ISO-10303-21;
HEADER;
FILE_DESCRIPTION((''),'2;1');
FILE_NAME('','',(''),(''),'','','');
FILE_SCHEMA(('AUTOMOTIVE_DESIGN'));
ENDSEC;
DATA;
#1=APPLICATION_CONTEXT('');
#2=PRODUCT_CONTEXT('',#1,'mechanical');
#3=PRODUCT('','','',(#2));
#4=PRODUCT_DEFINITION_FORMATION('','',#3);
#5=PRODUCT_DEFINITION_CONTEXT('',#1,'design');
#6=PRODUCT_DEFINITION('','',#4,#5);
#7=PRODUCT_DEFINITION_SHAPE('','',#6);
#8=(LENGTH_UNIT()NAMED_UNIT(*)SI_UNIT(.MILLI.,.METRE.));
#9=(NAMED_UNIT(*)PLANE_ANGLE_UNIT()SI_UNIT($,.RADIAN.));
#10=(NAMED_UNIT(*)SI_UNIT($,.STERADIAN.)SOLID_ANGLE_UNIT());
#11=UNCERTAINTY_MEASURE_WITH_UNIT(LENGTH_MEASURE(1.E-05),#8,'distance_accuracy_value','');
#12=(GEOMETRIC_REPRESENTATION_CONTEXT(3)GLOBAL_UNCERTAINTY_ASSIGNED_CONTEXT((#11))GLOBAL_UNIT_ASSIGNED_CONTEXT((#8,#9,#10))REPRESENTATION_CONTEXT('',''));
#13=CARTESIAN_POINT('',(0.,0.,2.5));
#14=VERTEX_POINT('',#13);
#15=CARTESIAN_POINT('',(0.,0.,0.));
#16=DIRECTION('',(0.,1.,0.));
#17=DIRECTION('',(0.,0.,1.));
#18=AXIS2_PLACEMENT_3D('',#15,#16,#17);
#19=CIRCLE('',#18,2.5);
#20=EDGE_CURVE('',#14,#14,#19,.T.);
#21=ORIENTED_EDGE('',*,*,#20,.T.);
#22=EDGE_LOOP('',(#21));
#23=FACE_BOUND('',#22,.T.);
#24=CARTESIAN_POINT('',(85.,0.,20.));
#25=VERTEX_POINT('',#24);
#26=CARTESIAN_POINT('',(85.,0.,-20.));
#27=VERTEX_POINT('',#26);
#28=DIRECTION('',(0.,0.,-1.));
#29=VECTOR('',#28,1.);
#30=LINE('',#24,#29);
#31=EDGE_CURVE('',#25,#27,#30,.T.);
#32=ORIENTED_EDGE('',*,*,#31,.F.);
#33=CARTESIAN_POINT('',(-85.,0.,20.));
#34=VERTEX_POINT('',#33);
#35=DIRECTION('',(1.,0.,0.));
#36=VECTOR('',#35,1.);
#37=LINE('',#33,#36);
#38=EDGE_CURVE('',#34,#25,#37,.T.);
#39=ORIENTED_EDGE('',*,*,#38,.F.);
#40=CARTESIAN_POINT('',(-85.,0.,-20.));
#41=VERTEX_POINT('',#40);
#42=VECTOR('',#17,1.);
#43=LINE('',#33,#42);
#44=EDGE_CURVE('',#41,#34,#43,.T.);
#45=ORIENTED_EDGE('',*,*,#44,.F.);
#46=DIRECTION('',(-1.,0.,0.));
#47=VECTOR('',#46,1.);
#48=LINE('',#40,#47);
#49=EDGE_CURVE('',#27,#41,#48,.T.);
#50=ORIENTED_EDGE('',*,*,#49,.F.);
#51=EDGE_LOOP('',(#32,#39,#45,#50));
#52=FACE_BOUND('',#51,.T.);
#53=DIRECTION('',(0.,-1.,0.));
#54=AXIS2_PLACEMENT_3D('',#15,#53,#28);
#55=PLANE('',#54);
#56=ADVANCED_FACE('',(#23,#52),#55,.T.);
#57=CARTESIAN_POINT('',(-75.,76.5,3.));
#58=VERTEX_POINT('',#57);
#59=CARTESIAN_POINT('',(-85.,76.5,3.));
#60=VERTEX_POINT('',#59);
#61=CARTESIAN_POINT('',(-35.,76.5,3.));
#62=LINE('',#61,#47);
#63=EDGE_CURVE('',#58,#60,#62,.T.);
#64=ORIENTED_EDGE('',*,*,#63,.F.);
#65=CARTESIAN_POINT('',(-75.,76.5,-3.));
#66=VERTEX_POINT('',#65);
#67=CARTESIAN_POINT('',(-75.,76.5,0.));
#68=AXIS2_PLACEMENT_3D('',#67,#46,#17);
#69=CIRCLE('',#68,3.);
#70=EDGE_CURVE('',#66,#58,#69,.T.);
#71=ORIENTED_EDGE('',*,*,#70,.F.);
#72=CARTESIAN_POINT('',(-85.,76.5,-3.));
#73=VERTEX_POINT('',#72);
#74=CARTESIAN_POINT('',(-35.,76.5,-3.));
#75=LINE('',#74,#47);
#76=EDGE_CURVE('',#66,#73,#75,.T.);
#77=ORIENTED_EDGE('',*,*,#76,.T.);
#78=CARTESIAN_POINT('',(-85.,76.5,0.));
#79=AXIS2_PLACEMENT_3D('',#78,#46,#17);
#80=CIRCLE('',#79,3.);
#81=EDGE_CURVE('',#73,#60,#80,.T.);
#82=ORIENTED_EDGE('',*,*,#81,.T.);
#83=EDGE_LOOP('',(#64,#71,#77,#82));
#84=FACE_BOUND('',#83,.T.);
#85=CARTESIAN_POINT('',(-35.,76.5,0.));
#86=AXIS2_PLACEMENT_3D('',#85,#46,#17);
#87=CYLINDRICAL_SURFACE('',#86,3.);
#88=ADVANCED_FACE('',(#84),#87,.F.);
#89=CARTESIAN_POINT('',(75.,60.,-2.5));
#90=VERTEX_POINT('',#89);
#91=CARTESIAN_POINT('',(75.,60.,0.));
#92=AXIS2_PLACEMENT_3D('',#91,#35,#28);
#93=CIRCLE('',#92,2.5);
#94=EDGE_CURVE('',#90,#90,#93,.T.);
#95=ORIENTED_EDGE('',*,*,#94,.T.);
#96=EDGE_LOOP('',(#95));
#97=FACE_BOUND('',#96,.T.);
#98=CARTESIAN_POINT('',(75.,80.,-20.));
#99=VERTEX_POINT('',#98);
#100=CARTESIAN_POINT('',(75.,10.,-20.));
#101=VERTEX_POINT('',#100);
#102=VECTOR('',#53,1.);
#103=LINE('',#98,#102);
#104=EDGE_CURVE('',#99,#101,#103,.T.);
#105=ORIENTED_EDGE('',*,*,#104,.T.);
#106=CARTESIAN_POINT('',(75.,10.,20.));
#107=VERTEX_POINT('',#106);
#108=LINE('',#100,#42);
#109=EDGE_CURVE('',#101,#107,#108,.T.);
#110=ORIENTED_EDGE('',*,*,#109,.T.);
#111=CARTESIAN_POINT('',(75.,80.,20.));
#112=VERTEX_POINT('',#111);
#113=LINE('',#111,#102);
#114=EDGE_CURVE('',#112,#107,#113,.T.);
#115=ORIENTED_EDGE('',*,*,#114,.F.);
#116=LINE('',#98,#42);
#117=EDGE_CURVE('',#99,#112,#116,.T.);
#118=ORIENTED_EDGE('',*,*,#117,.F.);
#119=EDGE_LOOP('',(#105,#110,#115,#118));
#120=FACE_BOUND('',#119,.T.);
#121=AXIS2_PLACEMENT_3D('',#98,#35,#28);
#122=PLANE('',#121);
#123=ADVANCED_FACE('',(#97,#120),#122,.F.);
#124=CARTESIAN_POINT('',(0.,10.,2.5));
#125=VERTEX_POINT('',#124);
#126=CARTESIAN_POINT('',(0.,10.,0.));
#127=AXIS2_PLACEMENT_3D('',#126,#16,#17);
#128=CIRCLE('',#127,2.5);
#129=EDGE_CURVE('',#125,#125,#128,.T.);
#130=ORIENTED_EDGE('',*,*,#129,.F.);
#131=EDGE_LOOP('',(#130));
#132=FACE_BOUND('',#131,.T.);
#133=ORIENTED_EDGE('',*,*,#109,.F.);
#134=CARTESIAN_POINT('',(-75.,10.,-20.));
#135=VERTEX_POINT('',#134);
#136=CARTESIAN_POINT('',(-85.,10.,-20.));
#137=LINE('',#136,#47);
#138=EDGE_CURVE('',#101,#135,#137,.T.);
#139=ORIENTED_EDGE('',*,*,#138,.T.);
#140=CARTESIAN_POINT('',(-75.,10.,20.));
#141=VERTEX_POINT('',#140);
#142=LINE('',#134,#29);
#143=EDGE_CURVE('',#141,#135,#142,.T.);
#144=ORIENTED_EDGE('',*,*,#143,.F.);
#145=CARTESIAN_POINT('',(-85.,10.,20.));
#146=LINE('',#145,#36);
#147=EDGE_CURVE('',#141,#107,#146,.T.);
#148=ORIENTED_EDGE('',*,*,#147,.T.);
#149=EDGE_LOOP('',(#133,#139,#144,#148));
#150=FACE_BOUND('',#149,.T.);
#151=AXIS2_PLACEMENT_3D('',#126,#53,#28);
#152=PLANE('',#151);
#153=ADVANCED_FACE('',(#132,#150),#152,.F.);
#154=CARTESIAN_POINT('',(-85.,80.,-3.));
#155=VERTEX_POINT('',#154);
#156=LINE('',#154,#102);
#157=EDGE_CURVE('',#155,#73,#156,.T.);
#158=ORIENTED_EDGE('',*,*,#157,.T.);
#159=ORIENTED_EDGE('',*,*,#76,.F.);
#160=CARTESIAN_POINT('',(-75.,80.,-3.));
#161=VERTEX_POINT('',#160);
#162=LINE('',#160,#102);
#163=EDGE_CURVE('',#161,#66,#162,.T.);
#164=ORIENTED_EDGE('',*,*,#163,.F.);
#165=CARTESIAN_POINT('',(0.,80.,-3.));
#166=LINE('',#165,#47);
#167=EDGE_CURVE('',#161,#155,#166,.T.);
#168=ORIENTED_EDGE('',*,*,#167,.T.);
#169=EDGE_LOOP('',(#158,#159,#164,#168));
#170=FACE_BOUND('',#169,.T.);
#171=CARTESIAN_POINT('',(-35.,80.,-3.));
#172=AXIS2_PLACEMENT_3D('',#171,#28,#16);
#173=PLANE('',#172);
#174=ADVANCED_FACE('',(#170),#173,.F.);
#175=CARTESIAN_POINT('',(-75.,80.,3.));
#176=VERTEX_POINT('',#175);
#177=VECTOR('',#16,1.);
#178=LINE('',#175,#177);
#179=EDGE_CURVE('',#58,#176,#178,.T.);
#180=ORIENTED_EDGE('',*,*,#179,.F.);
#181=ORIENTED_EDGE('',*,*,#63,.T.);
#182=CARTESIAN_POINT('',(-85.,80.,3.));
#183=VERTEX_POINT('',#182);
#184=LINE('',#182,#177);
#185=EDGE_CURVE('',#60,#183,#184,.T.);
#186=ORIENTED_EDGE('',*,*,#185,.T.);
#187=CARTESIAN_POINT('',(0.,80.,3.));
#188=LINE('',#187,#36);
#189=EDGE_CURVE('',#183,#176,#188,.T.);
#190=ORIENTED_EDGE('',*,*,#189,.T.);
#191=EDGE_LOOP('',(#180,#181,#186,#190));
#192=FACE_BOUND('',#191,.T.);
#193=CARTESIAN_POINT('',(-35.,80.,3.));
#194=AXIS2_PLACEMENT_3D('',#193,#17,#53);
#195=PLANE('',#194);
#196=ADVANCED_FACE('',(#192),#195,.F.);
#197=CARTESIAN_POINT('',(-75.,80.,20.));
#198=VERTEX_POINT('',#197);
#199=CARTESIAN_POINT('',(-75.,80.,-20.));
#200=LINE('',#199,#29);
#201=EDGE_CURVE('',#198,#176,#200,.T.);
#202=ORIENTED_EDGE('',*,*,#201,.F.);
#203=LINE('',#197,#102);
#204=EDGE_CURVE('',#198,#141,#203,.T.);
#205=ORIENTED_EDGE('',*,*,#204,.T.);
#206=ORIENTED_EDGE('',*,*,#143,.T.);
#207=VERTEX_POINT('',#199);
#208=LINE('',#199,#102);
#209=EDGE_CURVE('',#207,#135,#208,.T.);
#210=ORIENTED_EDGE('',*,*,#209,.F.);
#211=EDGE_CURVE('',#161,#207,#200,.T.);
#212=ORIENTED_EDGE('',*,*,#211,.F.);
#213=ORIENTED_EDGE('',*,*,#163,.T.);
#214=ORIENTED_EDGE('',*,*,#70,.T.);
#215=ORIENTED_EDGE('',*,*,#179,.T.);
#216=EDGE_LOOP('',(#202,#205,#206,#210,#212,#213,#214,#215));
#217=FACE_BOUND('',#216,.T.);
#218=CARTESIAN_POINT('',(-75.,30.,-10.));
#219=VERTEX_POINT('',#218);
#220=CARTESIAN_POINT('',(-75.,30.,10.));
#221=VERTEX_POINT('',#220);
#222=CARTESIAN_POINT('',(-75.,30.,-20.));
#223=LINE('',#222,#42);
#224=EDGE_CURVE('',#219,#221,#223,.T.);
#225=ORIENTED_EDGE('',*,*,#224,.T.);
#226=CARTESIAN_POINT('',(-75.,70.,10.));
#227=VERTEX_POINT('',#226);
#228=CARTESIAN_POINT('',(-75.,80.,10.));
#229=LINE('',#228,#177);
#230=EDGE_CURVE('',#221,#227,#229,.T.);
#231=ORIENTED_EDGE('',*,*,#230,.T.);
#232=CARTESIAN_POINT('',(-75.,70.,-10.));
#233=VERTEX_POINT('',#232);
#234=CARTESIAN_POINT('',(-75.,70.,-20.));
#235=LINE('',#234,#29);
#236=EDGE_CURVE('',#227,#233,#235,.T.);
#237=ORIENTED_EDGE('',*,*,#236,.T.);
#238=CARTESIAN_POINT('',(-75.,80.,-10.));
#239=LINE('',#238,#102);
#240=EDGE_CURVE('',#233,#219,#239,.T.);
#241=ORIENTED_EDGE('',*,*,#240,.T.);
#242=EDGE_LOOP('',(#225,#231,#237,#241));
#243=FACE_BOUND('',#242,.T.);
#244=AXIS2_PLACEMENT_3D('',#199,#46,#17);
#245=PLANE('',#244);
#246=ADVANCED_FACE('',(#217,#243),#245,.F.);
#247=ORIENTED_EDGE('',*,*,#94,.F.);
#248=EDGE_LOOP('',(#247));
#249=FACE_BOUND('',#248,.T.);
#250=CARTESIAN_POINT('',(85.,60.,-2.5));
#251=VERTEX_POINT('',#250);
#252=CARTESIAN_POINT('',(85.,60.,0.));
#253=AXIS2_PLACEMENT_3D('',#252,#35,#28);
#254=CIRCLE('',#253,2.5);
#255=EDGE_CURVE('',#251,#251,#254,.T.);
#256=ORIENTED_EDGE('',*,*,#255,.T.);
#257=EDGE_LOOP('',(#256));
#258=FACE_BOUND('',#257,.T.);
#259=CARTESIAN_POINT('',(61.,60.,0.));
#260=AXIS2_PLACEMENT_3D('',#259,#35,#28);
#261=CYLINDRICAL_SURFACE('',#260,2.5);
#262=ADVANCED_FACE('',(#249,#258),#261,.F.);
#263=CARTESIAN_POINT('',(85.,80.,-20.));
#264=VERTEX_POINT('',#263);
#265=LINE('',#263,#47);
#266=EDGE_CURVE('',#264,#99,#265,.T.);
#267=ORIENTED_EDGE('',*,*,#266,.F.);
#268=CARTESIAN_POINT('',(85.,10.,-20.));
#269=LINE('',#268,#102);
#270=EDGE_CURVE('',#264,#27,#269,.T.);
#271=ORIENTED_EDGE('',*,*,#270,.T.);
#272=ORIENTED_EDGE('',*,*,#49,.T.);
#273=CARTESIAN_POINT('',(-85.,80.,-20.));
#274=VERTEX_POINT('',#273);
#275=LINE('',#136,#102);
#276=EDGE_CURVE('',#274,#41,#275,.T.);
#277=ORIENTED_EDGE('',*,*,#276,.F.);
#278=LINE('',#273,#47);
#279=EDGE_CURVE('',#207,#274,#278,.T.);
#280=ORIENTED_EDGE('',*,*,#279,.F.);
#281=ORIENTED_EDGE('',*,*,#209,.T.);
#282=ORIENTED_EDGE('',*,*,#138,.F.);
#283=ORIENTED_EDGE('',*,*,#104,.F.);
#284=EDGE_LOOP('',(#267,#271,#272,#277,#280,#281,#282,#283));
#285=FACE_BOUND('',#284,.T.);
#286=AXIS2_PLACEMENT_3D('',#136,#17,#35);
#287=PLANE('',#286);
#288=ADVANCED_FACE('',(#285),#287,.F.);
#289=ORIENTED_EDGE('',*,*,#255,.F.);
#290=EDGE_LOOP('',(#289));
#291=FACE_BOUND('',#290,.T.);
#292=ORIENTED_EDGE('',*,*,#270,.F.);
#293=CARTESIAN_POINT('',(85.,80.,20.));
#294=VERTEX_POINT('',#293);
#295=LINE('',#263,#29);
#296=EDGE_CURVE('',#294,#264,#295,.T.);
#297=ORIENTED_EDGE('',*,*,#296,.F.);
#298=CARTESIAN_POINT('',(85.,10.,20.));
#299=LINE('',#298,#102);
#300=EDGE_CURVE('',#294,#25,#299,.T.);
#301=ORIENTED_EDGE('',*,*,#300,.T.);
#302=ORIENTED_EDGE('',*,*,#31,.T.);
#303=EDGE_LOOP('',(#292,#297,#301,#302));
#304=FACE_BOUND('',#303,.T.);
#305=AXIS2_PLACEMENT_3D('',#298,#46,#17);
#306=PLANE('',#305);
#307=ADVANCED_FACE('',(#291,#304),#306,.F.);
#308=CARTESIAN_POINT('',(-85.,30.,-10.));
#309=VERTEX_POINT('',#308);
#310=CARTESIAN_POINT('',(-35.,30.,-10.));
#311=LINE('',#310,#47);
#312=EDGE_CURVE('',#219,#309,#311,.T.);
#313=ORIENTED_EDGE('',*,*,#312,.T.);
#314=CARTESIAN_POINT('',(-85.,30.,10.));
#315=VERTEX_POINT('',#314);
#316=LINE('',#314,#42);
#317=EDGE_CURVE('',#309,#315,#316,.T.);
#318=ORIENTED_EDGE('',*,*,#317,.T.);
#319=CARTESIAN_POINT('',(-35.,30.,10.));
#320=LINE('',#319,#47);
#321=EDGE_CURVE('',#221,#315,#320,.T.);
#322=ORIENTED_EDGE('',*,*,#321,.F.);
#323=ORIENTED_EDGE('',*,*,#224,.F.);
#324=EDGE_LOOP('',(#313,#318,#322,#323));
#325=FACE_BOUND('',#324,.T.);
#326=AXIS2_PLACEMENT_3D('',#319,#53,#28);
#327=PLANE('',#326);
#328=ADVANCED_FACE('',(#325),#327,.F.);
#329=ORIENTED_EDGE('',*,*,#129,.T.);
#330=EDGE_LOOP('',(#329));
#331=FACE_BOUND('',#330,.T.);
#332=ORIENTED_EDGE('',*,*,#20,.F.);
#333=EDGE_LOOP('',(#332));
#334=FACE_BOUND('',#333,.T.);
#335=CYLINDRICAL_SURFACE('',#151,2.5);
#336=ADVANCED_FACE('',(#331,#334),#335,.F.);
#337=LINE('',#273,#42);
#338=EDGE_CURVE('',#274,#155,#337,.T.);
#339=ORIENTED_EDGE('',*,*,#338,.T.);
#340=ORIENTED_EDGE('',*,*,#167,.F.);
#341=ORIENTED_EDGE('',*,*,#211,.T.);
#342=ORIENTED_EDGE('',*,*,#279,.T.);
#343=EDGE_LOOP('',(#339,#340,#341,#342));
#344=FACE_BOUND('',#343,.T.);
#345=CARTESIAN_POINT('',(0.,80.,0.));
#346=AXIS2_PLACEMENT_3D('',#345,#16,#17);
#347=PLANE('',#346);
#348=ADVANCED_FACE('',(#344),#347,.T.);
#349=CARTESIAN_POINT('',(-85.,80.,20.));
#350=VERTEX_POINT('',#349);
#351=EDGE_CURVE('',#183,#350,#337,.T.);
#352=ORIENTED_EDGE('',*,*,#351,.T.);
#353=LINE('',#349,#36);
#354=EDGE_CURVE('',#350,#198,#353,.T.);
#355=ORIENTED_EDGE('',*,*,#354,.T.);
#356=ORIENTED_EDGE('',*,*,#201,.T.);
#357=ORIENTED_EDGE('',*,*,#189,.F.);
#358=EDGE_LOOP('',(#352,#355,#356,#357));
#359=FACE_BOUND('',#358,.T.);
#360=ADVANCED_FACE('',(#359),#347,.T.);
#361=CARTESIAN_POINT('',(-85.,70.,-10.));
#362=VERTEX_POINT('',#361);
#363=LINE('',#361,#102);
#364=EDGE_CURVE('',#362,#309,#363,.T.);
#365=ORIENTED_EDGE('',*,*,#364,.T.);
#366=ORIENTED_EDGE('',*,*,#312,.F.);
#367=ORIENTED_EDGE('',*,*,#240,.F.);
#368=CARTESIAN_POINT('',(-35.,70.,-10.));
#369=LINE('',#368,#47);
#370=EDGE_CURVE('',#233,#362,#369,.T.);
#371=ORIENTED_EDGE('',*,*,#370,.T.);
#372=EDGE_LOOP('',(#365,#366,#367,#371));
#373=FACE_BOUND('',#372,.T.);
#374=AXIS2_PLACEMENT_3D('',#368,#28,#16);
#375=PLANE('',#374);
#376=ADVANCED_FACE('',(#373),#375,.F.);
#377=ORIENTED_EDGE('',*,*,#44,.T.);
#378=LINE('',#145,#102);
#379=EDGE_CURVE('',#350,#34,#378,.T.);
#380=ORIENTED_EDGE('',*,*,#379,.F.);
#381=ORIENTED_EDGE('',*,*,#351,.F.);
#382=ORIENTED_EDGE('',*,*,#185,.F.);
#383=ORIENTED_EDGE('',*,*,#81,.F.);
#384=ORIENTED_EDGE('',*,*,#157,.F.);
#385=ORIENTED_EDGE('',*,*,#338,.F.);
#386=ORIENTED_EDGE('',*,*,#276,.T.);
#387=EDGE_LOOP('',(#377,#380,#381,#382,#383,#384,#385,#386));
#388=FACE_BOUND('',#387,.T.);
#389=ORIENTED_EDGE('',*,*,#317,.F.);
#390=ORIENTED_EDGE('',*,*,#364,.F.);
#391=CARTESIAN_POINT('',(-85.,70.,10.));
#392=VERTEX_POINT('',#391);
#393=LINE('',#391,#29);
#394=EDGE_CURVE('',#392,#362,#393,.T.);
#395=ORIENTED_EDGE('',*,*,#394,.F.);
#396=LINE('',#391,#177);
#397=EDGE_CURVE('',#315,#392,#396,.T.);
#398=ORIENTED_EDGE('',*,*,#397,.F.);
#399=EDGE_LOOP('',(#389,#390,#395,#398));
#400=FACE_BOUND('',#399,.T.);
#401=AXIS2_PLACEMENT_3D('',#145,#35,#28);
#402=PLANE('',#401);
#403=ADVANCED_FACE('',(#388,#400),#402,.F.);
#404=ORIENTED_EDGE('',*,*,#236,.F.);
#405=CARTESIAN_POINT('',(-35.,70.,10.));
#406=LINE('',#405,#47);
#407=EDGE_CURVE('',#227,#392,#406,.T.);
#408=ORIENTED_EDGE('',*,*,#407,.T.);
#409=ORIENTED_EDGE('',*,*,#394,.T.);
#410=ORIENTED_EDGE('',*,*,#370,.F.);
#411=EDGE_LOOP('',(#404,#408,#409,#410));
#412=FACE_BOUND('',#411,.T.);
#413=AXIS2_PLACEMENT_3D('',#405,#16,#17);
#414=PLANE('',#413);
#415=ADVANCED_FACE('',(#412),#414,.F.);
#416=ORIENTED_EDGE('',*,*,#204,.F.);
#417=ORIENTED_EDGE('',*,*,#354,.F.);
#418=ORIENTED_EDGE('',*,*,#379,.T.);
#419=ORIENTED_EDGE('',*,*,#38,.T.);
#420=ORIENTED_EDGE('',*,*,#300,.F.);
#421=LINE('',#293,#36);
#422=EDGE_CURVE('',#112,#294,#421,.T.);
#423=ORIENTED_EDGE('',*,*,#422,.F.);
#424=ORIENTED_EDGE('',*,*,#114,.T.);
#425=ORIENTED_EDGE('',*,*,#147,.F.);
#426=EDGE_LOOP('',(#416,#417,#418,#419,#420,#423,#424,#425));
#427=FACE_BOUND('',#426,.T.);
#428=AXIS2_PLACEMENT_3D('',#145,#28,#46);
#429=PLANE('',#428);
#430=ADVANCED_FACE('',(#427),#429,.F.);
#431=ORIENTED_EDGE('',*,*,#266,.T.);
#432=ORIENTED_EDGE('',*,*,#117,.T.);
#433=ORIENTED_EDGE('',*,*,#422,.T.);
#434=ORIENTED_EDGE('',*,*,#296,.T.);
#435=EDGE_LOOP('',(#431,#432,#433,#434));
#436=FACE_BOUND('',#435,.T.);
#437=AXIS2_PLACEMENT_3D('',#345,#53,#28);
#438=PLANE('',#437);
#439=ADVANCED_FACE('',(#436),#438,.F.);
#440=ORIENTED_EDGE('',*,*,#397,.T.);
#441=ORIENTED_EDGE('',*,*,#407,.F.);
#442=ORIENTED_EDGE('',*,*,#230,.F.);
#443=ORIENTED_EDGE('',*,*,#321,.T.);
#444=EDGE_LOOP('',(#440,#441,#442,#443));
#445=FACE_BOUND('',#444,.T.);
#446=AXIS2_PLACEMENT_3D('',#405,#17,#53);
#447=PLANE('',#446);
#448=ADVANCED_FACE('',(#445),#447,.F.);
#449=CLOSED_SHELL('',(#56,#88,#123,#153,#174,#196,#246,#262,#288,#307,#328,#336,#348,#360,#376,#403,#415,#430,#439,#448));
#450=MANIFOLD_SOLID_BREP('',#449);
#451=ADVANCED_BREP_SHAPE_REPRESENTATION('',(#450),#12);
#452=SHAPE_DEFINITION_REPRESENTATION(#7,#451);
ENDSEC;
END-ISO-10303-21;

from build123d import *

# Parameters (mm, degrees)
SKETCH1_W           = 170
SKETCH1_H           = 40
SKETCH1_R           = 2.5
BOSS_EXTRUDE1_DEPTH = 10
SKETCH2_W           = 10
SKETCH2_H           = 40
BOSS_EXTRUDE2_DEPTH = 70
SKETCH3_W           = 20
SKETCH3_H           = 40
CUT_EXTRUDE1_DEPTH  = 50
SKETCH4_R           = 2.5
CUT_EXTRUDE2_DEPTH  = 24


with BuildPart() as part:
    # Sketch1 → Boss-Extrude1 (new body)
    with BuildSketch(Plane(origin=(0, 0, 0), x_dir=(1, 0, 0), z_dir=(0, 1, 0))):
        Rectangle(SKETCH1_W, SKETCH1_H)
        with Locations(Location((0, 0, 0), (0, 0, 270))):
            Circle(SKETCH1_R, mode=Mode.SUBTRACT)
    extrude(amount=BOSS_EXTRUDE1_DEPTH)

    # Sketch2 → Boss-Extrude2 (add)
    with BuildSketch(Plane(origin=(0, 10, 0), x_dir=(1, 0, 0), z_dir=(0, 1, 0))):
        with Locations((80, 0)):
            Rectangle(SKETCH2_W, SKETCH2_H)
        with Locations((-80, 0)):
            Rectangle(SKETCH2_W, SKETCH2_H)
    extrude(amount=BOSS_EXTRUDE2_DEPTH)

    # Sketch3 → Cut-Extrude1 (cut)
    with BuildSketch(Plane.ZY.offset(85)):
        with Locations((0, 50)):
            Rectangle(SKETCH3_W, SKETCH3_H)
        with BuildLine():
            Line((3, 80), (3, 76.5))
            ThreePointArc((3, 76.5), (0, 73.5), (-3, 76.5))
            Line((-3, 76.5), (-3, 80))
            ThreePointArc((-3, 80), (0, 83), (3, 80))
        make_face()
    extrude(amount=-CUT_EXTRUDE1_DEPTH, mode=Mode.SUBTRACT)

    # Sketch4 → Cut-Extrude2 (cut)
    with BuildSketch(Plane(origin=(85, 0, 0), x_dir=(0, 0, -1), z_dir=(1, 0, 0))):
        with Locations((0, 60)):
            Circle(SKETCH4_R)
    extrude(amount=-CUT_EXTRUDE2_DEPTH, mode=Mode.SUBTRACT)


solid = part.part
